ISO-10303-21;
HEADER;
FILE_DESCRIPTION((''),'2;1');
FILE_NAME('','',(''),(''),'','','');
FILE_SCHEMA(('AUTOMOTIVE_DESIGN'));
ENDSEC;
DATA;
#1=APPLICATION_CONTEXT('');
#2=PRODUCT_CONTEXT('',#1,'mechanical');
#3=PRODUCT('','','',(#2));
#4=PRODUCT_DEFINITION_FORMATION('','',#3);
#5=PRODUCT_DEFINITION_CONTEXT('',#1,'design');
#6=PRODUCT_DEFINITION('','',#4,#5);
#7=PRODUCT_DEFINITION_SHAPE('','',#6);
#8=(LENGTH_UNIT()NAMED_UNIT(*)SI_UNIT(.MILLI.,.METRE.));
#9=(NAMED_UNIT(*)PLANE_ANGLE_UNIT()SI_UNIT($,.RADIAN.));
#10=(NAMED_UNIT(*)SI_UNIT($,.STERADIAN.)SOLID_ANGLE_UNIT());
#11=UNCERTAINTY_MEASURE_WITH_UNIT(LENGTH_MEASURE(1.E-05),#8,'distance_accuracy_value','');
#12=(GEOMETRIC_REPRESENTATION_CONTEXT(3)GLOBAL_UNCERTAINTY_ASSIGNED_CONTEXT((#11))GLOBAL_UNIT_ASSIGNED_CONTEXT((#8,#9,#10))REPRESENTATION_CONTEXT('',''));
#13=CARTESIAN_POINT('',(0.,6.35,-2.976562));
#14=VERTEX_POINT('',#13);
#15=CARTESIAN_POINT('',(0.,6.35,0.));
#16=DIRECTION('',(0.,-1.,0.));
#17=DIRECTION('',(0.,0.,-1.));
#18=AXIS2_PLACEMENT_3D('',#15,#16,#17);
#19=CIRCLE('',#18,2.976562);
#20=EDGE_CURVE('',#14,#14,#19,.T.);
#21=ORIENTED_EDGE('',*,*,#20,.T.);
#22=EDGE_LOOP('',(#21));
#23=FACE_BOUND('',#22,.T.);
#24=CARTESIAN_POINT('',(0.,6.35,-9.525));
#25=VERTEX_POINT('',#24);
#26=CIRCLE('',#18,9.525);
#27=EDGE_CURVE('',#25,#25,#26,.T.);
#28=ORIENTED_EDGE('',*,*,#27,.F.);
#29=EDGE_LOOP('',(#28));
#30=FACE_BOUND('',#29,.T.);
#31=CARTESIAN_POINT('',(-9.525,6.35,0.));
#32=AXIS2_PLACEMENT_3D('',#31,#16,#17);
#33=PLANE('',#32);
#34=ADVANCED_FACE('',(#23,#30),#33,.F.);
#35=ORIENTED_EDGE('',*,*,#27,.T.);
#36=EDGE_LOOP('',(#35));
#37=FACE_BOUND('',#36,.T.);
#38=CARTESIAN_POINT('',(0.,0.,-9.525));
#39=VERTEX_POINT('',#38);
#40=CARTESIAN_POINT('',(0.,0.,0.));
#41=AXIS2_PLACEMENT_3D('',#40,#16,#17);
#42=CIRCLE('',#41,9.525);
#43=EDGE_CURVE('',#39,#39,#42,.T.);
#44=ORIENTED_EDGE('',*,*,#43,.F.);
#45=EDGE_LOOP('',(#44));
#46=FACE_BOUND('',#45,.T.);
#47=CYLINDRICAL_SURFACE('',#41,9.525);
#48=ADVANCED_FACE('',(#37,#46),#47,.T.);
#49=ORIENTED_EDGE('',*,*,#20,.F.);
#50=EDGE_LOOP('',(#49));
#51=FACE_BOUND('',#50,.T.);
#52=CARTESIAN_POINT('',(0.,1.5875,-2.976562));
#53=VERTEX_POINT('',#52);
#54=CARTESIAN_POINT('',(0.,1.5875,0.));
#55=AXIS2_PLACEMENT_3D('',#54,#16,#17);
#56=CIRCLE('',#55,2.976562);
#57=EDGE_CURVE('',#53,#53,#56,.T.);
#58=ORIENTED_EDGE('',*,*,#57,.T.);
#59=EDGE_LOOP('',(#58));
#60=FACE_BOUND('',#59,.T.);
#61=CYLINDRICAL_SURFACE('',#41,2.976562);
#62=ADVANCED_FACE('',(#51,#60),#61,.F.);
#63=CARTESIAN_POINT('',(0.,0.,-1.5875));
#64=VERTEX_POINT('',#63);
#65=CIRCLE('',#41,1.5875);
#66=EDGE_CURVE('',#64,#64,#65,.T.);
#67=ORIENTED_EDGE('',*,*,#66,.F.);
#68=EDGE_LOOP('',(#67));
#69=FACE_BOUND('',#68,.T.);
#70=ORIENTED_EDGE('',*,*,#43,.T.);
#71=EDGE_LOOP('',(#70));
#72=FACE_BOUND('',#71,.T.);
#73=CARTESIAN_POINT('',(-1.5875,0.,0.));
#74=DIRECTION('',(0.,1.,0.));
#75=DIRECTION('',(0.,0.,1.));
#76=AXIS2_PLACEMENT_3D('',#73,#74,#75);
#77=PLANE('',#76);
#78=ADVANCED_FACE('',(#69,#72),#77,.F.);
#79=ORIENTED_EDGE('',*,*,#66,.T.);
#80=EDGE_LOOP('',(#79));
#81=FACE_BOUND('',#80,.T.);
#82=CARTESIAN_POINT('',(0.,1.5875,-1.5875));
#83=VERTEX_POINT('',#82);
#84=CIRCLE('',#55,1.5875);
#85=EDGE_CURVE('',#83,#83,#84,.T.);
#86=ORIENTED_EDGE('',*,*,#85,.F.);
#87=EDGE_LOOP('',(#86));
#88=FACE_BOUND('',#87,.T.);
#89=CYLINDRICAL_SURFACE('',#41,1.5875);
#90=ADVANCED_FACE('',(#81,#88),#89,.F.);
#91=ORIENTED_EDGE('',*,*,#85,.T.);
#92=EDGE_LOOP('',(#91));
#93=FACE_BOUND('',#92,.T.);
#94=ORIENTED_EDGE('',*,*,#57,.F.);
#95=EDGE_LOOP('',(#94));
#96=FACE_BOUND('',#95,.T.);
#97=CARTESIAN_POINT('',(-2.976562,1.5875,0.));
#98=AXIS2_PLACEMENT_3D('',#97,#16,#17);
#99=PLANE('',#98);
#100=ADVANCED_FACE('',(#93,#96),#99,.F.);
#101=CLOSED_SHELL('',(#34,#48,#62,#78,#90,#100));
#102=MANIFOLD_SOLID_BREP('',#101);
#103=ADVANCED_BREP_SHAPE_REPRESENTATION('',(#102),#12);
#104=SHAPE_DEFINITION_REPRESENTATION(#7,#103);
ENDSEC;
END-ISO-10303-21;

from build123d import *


with BuildPart() as part:
    # Sketch1 → Revolve1 (revolve)
    with BuildSketch(Plane.XY, mode=Mode.PRIVATE) as revolve1_sk:
        Polygon((-9.525, 0), (-9.525, 6.35), (-2.9765625, 6.35), (-2.9765625, 1.5875), (-1.5875, 1.5875), (-1.5875, 0), align=None)
    revolve(revolve1_sk.sketch.rotate(Axis((0, 0, 0), (0, 1, 0)), 270), axis=Axis((0, 0, 0), (0, 1, 0)))


solid = part.part
